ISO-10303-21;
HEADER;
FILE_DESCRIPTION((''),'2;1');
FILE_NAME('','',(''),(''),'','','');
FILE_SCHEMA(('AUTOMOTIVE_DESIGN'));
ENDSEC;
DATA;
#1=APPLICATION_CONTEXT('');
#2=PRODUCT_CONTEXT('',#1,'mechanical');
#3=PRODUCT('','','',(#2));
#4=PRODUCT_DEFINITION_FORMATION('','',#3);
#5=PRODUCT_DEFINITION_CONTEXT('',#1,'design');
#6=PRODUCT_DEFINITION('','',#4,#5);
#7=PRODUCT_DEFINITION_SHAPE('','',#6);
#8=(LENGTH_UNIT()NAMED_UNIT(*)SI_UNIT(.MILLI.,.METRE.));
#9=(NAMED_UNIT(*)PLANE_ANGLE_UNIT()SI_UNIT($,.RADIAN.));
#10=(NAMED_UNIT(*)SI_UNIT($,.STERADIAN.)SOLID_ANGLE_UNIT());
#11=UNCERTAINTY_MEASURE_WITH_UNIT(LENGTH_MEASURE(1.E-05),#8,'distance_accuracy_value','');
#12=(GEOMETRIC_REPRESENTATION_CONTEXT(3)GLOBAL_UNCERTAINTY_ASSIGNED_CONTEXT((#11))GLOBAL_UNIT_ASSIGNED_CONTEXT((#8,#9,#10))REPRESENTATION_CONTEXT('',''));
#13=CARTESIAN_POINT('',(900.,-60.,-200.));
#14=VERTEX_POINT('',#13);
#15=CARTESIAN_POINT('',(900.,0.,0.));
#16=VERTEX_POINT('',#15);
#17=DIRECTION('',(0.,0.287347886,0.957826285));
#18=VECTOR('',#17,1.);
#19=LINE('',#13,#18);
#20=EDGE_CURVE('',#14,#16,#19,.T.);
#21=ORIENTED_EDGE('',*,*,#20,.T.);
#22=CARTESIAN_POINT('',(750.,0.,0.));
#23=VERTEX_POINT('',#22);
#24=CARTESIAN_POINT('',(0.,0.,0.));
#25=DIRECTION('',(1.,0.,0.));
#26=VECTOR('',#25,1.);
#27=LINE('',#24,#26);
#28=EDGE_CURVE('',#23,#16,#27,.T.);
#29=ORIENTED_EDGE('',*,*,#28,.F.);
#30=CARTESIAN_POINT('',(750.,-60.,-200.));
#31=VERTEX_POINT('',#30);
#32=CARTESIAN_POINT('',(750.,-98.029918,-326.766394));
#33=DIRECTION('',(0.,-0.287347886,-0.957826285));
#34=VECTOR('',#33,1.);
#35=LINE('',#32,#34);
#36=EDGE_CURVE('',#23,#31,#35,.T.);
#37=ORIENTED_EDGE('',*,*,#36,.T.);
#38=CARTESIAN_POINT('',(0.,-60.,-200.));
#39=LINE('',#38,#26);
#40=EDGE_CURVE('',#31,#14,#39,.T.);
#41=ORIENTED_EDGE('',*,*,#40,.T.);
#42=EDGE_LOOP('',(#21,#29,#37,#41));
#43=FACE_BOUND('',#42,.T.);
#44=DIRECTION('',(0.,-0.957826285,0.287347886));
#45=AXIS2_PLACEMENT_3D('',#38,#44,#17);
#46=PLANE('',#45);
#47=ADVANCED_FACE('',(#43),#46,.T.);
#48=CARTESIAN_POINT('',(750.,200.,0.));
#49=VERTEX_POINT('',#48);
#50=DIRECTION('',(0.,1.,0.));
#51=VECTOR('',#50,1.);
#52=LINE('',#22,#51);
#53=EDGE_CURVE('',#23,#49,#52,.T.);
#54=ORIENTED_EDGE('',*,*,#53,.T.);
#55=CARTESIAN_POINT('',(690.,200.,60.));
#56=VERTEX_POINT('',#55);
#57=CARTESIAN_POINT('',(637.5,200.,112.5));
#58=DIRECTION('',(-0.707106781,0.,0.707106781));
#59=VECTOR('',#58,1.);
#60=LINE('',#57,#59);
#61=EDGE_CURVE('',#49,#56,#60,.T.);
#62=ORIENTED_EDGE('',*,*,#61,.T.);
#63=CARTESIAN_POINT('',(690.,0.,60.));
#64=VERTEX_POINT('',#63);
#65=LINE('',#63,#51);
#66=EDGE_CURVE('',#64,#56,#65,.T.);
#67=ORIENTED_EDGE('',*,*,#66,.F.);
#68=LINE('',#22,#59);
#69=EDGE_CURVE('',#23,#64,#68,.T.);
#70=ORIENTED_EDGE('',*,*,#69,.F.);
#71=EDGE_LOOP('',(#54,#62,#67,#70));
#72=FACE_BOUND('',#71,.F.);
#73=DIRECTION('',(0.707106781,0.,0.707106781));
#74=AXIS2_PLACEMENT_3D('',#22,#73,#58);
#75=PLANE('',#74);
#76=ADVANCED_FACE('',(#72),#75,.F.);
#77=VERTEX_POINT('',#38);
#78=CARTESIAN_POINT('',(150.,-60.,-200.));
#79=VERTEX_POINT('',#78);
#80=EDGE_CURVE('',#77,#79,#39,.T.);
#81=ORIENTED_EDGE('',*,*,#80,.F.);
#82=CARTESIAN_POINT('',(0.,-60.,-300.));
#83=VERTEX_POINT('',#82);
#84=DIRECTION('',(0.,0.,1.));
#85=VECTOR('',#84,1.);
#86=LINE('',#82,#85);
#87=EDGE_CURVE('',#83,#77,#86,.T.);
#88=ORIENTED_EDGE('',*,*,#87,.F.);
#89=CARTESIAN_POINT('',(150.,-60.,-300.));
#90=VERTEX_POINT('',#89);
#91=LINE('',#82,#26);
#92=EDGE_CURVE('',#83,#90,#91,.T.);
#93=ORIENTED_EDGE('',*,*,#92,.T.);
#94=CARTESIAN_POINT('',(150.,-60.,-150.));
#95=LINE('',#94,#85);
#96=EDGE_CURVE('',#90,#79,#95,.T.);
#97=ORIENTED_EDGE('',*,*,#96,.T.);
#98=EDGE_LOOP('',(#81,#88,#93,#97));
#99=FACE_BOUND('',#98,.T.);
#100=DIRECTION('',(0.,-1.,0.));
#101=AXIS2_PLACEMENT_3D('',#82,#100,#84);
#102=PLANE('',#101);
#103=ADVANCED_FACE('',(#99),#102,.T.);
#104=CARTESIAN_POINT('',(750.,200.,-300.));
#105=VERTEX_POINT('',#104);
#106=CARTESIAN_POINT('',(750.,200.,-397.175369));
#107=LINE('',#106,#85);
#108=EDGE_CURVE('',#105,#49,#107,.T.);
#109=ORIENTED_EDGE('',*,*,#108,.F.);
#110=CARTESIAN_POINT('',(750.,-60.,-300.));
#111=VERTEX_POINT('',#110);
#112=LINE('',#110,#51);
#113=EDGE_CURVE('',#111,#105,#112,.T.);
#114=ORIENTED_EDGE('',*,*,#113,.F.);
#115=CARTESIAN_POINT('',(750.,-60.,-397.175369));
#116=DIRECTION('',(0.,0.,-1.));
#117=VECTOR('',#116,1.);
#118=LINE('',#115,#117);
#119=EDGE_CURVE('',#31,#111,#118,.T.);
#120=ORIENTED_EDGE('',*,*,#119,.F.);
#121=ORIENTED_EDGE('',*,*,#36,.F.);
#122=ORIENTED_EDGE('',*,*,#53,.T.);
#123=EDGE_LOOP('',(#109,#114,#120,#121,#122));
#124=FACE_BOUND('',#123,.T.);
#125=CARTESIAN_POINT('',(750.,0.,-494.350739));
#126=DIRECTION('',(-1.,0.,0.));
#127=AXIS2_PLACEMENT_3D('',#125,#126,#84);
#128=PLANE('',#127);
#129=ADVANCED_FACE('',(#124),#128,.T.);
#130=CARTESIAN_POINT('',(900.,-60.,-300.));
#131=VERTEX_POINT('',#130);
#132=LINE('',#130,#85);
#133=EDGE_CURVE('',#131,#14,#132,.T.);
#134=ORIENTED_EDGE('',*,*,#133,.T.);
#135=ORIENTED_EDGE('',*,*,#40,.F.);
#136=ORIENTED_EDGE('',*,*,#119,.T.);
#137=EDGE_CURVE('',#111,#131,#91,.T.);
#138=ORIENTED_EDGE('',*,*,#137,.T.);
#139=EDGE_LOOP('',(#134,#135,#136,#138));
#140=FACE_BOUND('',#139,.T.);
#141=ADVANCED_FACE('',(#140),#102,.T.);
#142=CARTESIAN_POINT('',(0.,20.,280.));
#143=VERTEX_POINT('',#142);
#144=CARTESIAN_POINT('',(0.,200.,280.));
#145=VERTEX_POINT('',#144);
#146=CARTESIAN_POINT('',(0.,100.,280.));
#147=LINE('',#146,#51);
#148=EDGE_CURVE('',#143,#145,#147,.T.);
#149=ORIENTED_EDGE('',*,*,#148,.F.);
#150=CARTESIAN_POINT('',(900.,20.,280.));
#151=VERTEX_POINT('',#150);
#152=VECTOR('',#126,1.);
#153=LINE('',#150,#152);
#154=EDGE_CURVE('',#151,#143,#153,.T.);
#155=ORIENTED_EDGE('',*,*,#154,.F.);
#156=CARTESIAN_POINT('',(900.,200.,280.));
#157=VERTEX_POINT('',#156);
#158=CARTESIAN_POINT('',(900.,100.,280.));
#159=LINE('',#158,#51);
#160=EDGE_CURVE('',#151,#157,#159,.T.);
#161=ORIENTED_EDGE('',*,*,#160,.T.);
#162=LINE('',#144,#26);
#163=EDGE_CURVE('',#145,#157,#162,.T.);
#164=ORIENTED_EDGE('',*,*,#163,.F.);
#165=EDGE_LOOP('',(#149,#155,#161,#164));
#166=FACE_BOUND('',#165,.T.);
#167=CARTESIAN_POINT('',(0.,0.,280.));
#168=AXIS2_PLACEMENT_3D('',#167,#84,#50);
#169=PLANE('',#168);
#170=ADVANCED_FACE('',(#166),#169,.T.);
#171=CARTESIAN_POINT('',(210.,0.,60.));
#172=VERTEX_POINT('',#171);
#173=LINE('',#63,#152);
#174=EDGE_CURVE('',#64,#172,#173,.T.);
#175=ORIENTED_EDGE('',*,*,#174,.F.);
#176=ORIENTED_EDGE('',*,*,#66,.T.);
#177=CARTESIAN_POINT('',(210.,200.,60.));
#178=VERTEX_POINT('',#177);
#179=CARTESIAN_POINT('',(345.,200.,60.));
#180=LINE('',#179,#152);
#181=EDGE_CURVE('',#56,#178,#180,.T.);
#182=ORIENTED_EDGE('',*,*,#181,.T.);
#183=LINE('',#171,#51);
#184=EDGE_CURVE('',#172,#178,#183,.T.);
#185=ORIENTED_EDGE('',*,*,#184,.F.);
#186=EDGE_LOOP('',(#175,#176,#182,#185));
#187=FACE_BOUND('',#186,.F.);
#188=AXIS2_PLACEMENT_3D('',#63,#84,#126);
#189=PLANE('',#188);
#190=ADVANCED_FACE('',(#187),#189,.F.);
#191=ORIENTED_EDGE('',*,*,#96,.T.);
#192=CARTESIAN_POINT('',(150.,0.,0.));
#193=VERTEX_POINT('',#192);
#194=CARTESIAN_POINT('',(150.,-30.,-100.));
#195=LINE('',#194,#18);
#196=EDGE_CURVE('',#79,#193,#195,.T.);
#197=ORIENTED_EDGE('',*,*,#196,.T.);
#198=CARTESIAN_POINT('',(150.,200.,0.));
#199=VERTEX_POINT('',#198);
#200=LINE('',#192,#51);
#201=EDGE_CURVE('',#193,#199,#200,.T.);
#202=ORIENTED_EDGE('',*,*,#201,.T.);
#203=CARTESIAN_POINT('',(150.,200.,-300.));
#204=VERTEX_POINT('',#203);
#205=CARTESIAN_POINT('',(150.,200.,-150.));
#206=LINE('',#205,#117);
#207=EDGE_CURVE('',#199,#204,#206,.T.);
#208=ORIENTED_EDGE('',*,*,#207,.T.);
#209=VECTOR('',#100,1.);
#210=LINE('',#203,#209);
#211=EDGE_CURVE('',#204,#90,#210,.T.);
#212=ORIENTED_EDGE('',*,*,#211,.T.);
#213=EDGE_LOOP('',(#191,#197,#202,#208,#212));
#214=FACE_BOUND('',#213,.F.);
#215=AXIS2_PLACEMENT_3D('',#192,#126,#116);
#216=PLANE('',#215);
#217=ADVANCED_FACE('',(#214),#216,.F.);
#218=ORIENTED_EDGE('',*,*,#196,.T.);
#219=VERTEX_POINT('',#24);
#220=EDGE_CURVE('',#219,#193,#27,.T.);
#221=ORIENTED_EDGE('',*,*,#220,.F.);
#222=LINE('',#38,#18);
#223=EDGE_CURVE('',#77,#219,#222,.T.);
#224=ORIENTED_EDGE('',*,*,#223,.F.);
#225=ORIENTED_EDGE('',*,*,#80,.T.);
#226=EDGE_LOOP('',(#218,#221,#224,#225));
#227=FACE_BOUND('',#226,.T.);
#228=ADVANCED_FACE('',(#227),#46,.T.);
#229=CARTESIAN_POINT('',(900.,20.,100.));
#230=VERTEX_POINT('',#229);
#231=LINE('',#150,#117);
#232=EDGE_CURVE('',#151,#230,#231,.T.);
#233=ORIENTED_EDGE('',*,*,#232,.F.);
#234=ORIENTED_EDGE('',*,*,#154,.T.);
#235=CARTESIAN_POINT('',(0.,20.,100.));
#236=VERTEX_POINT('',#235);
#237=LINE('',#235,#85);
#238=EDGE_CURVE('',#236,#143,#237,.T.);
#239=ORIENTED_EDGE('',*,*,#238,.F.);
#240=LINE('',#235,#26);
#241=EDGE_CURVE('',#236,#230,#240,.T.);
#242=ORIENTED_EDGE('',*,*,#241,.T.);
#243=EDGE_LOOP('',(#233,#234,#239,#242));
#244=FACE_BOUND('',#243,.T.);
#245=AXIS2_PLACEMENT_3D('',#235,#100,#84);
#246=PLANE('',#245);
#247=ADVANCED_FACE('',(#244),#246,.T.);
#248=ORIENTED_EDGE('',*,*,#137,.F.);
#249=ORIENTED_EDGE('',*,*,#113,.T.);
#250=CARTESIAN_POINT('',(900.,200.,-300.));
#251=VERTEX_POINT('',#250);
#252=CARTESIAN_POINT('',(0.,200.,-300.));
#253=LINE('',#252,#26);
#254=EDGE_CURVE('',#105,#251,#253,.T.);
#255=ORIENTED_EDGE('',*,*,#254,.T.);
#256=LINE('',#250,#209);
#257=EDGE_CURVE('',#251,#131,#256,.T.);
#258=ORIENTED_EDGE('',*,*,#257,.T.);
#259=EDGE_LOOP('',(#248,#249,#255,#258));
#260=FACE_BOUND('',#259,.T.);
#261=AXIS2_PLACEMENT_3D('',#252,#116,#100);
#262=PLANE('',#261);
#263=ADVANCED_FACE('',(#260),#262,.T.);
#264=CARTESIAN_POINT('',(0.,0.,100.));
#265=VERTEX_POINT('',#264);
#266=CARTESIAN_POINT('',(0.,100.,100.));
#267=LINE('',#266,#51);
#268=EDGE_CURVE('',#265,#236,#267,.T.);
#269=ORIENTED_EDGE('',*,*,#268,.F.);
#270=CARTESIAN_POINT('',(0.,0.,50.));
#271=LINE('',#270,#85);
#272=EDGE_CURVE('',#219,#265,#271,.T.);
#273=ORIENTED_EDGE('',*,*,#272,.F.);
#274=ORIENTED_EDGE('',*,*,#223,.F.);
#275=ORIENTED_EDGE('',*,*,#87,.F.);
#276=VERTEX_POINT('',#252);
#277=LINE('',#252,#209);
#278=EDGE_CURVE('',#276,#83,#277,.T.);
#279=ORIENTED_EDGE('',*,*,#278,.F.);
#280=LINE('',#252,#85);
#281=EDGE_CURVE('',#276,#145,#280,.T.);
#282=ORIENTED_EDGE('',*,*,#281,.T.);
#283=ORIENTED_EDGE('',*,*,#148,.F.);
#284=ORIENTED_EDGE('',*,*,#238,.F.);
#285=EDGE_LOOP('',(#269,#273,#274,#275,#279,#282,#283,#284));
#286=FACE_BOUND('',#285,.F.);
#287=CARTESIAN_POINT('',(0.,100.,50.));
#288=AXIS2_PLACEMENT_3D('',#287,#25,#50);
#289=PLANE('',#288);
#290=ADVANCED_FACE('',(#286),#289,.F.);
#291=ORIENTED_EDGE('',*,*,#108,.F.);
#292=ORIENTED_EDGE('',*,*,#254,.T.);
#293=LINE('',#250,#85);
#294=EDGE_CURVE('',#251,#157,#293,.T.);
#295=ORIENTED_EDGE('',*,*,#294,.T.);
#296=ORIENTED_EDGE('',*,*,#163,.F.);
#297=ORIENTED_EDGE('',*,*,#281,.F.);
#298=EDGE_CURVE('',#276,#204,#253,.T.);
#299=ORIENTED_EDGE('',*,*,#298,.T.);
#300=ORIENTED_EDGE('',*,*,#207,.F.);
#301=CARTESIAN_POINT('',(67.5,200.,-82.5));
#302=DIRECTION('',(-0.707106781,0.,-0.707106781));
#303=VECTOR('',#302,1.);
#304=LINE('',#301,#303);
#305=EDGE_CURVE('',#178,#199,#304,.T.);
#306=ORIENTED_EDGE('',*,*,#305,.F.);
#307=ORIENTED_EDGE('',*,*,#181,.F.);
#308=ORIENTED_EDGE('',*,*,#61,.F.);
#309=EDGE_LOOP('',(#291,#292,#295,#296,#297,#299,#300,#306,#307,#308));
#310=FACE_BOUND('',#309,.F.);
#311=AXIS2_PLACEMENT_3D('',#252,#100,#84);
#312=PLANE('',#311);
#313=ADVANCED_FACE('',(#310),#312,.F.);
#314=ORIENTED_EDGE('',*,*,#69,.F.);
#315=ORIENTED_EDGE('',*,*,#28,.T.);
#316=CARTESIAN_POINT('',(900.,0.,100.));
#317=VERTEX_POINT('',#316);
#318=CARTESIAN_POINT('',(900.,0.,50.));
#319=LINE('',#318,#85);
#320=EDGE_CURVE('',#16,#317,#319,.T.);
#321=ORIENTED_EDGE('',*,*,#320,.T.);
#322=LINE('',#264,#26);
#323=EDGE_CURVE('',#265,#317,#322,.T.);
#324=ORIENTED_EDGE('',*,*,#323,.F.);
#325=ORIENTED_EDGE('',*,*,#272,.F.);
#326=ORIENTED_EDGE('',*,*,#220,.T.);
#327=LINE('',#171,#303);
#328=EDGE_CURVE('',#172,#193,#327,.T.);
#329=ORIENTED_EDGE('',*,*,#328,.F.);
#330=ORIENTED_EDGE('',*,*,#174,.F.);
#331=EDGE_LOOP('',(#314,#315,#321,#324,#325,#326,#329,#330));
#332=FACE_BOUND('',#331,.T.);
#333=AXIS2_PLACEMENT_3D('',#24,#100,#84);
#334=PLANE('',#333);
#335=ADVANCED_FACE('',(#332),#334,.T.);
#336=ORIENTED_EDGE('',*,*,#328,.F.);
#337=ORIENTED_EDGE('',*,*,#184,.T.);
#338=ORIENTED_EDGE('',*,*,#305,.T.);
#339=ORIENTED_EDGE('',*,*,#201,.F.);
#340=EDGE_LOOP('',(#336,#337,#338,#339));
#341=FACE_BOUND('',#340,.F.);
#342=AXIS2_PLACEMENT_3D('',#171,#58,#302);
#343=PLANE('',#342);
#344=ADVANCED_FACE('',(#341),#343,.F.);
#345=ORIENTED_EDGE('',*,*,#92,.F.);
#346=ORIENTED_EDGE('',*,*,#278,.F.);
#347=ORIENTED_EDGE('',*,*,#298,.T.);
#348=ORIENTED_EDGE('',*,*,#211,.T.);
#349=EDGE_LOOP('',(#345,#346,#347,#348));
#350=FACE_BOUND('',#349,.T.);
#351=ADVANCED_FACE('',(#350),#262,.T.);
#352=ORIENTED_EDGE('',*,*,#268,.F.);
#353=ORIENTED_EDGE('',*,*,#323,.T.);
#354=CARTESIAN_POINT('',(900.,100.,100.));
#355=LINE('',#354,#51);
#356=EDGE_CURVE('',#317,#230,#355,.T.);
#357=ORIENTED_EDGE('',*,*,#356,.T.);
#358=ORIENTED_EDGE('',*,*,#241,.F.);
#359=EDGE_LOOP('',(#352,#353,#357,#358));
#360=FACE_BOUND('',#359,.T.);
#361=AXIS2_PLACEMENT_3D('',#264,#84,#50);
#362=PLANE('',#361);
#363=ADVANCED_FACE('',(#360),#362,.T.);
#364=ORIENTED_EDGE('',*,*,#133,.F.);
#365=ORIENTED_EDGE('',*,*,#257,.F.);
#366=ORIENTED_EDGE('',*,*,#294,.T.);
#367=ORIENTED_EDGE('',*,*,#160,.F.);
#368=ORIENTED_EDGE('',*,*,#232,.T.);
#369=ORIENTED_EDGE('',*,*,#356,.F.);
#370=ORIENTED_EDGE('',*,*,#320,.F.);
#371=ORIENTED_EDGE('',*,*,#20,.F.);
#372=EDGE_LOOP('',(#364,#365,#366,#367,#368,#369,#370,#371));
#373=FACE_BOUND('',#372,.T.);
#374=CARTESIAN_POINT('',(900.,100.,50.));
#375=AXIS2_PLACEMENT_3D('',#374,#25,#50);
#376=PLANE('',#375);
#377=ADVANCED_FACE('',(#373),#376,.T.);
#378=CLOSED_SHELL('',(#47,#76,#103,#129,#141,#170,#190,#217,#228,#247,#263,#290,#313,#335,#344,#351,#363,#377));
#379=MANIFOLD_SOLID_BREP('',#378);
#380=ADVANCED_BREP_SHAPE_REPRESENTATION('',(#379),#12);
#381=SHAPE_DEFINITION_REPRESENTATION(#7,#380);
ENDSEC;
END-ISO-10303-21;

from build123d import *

# Parameters (mm, degrees)
SKETCH_W          = 200
SKETCH_H          = 100
SKETCH_W_2        = 180
SKETCH_H_2        = 150
SKETCH_H_3        = 30
PAD_DEPTH         = 900
POCKET_DEPTH      = 200.001
POCKET_DEPTH_BACK = -60.001
SKETCH002_W       = 20
SKETCH002_H       = 30
POCKET001_DEPTH   = 900.001


with BuildPart() as part:
    # Sketch → Pad (new body)
    with BuildSketch(Plane.YZ):
        with Locations((100, 50)):
            Rectangle(SKETCH_W, SKETCH_H)
        with Locations((110, 175)):
            Rectangle(SKETCH_W_2, SKETCH_H_2)
        with Locations((100, 265)):
            Rectangle(SKETCH_W, SKETCH_H_3)
        Polygon((0, 0), (200, 0), (200, -300), (-60, -300), (-60, -200), align=None)
    extrude(amount=PAD_DEPTH)

    # Sketch001 (on Face6 of Pad) → Pocket (cut, two sides)
    with BuildSketch(Plane(origin=(0, 0, 0), x_dir=(0, 0, -1), z_dir=(0, -1, 0))) as pocket_sk:
        Polygon((0, 150), (494.350739, 150), (494.350739, 750), (0, 750), (-60, 690), (-60, 210), align=None)
    extrude(amount=-POCKET_DEPTH, mode=Mode.SUBTRACT)
    extrude(pocket_sk.sketch, amount=-POCKET_DEPTH_BACK, mode=Mode.SUBTRACT)

    # Sketch002 (on Face5 of Pocket) → Pocket001 (cut, through all)
    with BuildSketch(Plane.YZ.offset(900)):
        with Locations((10, 265)):
            Rectangle(SKETCH002_W, SKETCH002_H)
    extrude(amount=-POCKET001_DEPTH, mode=Mode.SUBTRACT)


solid = part.part
